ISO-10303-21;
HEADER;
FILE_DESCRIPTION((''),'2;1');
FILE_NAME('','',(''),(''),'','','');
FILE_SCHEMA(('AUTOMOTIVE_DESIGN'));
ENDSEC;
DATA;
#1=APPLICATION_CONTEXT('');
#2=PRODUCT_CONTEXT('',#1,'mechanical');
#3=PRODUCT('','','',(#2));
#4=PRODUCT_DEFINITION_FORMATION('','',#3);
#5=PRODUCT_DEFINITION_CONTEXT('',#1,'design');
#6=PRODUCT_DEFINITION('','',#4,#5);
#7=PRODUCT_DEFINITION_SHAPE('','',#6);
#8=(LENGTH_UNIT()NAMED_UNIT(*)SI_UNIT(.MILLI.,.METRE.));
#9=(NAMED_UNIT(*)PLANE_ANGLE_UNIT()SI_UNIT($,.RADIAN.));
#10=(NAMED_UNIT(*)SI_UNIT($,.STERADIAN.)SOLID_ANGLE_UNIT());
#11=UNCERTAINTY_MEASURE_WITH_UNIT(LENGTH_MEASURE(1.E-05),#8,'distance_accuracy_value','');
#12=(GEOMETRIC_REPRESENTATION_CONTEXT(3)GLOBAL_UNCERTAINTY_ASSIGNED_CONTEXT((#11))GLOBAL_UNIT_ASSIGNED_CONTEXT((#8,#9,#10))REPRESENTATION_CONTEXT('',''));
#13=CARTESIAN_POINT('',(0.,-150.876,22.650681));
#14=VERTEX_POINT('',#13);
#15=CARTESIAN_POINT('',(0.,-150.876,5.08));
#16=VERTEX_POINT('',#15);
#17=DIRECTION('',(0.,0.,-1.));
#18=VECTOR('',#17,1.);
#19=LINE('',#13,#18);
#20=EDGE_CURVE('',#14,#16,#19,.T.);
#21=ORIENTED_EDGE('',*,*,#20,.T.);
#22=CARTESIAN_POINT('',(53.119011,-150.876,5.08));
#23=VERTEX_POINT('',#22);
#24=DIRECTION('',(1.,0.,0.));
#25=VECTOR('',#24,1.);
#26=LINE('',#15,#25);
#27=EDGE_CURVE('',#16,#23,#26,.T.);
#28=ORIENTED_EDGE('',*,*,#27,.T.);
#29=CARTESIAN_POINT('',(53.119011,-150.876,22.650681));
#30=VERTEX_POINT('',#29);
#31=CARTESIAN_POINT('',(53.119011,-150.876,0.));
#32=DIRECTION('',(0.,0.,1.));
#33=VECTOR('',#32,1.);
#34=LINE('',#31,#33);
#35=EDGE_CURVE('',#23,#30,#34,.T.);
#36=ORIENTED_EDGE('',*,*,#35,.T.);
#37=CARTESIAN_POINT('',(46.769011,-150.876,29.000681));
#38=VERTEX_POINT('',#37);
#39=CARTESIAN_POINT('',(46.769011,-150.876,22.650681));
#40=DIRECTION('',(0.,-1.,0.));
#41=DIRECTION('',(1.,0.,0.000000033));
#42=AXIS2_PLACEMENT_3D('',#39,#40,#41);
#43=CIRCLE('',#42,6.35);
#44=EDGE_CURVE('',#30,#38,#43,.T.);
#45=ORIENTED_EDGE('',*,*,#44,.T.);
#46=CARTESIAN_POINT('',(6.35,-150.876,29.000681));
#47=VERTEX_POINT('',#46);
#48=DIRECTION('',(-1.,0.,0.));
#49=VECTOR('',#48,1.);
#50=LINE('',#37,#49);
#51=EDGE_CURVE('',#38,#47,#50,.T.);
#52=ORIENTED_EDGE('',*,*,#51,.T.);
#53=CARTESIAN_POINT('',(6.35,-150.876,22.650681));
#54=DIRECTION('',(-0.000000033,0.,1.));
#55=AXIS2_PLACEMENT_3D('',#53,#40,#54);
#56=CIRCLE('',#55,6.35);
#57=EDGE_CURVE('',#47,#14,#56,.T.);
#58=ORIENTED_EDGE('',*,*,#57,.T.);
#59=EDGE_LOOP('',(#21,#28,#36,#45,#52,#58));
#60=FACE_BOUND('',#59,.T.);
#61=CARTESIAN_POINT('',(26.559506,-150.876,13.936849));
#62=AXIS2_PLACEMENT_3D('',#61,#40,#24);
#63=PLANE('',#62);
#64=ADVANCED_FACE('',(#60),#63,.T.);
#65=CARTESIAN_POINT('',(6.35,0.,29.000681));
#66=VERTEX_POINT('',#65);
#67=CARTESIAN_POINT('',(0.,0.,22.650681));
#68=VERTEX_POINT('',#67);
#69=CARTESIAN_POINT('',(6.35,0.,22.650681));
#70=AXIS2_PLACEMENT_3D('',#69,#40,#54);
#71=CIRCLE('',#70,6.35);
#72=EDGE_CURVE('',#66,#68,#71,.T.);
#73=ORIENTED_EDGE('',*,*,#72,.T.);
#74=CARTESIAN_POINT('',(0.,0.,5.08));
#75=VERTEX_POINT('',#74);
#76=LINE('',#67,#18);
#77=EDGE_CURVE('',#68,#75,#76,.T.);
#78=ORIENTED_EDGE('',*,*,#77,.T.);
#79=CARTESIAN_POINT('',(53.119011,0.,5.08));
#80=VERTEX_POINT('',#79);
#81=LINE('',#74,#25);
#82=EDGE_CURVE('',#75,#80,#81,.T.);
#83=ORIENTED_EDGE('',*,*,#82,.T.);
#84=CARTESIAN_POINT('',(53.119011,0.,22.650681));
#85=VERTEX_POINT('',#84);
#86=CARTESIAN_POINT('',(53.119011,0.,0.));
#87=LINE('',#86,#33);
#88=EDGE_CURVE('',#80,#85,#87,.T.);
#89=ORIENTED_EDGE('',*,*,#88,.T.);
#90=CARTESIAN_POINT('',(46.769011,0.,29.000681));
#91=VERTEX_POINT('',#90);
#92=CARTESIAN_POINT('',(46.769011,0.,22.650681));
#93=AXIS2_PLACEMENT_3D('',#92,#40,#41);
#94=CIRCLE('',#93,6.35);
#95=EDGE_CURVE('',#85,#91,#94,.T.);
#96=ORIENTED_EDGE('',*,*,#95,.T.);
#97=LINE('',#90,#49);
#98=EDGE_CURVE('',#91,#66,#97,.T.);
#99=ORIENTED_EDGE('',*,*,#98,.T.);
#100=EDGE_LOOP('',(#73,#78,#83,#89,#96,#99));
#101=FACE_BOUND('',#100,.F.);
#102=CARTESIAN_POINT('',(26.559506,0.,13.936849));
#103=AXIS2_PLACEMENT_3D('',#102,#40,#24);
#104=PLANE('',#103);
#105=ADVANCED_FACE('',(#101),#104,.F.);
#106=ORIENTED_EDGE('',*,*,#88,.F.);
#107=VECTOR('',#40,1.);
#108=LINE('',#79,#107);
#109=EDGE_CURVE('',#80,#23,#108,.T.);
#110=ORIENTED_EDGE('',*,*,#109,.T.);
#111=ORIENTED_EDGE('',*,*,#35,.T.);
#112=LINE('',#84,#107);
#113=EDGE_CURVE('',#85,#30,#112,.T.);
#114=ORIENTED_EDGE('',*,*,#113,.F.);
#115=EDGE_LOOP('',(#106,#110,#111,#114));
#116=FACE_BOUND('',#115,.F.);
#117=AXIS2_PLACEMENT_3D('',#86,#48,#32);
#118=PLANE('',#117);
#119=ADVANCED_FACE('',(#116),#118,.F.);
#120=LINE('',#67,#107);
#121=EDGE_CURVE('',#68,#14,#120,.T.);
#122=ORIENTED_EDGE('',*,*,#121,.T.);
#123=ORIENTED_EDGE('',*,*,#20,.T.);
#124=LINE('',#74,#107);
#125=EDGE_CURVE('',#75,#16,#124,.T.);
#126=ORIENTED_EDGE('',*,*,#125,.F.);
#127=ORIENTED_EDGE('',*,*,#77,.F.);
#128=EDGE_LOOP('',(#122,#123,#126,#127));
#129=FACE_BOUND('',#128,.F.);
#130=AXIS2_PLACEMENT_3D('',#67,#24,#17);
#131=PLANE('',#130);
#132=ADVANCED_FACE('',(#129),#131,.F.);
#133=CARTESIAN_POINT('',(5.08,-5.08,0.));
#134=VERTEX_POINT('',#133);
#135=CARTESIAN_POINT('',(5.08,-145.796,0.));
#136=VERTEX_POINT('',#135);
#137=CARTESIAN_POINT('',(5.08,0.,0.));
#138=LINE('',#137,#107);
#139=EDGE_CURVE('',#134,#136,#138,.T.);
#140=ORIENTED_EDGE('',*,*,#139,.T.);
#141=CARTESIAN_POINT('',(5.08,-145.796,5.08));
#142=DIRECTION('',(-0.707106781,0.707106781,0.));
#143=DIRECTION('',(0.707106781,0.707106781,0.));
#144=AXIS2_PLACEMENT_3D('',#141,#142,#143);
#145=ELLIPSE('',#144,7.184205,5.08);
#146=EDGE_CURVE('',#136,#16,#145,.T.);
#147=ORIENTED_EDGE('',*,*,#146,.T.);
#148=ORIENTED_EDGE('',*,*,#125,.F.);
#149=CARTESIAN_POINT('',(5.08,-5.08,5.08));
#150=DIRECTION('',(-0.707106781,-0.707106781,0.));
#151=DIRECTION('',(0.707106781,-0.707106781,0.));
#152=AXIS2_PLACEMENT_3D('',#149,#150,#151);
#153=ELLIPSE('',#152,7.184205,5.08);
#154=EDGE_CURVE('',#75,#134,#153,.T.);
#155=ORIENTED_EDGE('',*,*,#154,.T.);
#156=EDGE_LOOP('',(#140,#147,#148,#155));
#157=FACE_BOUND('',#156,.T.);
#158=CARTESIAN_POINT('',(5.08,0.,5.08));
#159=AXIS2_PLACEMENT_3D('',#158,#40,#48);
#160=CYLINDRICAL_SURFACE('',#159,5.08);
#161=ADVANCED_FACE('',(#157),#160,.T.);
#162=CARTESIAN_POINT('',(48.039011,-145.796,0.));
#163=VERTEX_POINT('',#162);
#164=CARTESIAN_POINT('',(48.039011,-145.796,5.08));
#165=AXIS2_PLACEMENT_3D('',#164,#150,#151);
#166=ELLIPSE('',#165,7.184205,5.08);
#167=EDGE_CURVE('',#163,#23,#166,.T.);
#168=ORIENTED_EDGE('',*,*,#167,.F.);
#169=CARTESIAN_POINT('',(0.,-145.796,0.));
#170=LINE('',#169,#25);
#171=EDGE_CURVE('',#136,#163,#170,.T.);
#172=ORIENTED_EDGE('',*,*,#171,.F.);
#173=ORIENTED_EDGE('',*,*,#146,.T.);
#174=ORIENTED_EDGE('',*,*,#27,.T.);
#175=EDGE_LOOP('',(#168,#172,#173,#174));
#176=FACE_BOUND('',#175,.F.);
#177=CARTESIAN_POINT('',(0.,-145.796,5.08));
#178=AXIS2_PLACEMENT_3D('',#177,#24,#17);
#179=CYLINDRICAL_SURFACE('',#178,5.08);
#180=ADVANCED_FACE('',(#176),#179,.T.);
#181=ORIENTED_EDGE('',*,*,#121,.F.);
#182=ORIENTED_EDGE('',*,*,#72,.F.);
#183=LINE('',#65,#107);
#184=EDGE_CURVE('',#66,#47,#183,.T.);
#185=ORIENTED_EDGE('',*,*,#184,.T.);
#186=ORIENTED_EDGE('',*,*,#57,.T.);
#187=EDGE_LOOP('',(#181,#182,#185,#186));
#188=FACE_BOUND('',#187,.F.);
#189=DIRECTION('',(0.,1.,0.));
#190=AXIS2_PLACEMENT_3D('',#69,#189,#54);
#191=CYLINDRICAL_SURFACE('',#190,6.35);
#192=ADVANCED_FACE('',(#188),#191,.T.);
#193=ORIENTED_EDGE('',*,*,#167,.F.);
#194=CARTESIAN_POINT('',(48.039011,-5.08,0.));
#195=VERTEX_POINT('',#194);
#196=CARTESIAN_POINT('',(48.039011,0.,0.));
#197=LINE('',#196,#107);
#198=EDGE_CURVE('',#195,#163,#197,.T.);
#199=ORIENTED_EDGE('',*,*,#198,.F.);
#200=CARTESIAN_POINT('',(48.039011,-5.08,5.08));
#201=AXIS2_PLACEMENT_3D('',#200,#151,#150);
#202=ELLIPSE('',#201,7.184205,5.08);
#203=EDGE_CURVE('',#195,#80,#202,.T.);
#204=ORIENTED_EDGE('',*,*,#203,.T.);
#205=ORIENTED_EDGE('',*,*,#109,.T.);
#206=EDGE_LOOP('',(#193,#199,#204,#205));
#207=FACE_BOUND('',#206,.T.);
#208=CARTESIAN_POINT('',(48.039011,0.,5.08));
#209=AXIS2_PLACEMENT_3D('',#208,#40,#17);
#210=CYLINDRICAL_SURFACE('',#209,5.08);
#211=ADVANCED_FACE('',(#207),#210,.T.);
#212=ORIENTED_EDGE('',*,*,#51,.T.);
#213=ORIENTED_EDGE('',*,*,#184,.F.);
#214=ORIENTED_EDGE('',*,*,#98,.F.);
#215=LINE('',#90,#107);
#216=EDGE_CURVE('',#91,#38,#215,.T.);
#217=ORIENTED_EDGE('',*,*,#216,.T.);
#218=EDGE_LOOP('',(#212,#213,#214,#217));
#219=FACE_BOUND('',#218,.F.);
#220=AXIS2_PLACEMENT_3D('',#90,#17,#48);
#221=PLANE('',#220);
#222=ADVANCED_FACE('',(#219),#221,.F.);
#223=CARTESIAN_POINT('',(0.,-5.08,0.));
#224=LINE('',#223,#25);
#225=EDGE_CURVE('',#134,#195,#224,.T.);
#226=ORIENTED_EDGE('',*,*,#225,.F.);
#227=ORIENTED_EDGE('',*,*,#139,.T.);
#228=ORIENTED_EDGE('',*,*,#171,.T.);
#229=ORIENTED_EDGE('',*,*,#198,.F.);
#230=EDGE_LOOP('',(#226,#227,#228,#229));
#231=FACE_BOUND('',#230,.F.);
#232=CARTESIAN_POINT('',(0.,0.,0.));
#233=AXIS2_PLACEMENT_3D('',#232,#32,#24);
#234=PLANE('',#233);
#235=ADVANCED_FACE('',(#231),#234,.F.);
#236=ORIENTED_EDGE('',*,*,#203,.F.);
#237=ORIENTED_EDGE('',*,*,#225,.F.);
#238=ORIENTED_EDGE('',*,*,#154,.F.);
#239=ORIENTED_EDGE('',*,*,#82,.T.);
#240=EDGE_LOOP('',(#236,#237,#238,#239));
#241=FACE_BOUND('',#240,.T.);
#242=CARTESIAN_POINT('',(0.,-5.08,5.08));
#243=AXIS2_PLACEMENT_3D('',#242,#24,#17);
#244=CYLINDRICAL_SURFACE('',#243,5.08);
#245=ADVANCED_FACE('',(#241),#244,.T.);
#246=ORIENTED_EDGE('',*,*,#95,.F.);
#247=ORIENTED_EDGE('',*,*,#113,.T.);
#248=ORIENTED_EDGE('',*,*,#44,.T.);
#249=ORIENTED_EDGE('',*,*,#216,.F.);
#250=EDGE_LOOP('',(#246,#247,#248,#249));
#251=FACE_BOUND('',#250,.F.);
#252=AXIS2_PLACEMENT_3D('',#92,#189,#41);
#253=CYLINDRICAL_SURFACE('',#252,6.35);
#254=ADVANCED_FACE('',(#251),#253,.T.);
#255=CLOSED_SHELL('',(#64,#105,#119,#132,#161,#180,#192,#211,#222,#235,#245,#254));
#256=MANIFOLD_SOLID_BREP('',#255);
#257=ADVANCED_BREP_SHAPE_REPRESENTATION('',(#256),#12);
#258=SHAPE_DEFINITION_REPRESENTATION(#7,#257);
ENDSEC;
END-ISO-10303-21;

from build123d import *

# Parameters (mm, degrees)
F1_DEPTH = 150.876
F2_R     = 5.08


with BuildPart() as f1:
    # F0 (on Front) → F1 (new body)
    with BuildSketch(Plane.XZ):
        with BuildLine():
            Line((0, 22.650681), (0, 0))
            Line((0, 0), (53.119011, 0))
            Line((53.119011, 0), (53.119011, 22.650681))
            ThreePointArc((53.119011, 22.650681), (51.259139, 27.140809), (46.769011, 29.000681))
            Line((46.769011, 29.000681), (6.35, 29.000681))
            ThreePointArc((6.35, 29.000681), (1.859872, 27.140809), (0, 22.650681))
        make_face()
    extrude(amount=F1_DEPTH)

    # F2
    f2_edges = [f1.edges().sort_by_distance(p)[0] for p in [
        (53.119011, -75.438, 0),
        (26.559506, -150.876, 0),
        (0, -75.438, 0),
        (26.559506, 0, 0),
    ]]
    fillet(f2_edges, radius=F2_R)


solid = f1.part
